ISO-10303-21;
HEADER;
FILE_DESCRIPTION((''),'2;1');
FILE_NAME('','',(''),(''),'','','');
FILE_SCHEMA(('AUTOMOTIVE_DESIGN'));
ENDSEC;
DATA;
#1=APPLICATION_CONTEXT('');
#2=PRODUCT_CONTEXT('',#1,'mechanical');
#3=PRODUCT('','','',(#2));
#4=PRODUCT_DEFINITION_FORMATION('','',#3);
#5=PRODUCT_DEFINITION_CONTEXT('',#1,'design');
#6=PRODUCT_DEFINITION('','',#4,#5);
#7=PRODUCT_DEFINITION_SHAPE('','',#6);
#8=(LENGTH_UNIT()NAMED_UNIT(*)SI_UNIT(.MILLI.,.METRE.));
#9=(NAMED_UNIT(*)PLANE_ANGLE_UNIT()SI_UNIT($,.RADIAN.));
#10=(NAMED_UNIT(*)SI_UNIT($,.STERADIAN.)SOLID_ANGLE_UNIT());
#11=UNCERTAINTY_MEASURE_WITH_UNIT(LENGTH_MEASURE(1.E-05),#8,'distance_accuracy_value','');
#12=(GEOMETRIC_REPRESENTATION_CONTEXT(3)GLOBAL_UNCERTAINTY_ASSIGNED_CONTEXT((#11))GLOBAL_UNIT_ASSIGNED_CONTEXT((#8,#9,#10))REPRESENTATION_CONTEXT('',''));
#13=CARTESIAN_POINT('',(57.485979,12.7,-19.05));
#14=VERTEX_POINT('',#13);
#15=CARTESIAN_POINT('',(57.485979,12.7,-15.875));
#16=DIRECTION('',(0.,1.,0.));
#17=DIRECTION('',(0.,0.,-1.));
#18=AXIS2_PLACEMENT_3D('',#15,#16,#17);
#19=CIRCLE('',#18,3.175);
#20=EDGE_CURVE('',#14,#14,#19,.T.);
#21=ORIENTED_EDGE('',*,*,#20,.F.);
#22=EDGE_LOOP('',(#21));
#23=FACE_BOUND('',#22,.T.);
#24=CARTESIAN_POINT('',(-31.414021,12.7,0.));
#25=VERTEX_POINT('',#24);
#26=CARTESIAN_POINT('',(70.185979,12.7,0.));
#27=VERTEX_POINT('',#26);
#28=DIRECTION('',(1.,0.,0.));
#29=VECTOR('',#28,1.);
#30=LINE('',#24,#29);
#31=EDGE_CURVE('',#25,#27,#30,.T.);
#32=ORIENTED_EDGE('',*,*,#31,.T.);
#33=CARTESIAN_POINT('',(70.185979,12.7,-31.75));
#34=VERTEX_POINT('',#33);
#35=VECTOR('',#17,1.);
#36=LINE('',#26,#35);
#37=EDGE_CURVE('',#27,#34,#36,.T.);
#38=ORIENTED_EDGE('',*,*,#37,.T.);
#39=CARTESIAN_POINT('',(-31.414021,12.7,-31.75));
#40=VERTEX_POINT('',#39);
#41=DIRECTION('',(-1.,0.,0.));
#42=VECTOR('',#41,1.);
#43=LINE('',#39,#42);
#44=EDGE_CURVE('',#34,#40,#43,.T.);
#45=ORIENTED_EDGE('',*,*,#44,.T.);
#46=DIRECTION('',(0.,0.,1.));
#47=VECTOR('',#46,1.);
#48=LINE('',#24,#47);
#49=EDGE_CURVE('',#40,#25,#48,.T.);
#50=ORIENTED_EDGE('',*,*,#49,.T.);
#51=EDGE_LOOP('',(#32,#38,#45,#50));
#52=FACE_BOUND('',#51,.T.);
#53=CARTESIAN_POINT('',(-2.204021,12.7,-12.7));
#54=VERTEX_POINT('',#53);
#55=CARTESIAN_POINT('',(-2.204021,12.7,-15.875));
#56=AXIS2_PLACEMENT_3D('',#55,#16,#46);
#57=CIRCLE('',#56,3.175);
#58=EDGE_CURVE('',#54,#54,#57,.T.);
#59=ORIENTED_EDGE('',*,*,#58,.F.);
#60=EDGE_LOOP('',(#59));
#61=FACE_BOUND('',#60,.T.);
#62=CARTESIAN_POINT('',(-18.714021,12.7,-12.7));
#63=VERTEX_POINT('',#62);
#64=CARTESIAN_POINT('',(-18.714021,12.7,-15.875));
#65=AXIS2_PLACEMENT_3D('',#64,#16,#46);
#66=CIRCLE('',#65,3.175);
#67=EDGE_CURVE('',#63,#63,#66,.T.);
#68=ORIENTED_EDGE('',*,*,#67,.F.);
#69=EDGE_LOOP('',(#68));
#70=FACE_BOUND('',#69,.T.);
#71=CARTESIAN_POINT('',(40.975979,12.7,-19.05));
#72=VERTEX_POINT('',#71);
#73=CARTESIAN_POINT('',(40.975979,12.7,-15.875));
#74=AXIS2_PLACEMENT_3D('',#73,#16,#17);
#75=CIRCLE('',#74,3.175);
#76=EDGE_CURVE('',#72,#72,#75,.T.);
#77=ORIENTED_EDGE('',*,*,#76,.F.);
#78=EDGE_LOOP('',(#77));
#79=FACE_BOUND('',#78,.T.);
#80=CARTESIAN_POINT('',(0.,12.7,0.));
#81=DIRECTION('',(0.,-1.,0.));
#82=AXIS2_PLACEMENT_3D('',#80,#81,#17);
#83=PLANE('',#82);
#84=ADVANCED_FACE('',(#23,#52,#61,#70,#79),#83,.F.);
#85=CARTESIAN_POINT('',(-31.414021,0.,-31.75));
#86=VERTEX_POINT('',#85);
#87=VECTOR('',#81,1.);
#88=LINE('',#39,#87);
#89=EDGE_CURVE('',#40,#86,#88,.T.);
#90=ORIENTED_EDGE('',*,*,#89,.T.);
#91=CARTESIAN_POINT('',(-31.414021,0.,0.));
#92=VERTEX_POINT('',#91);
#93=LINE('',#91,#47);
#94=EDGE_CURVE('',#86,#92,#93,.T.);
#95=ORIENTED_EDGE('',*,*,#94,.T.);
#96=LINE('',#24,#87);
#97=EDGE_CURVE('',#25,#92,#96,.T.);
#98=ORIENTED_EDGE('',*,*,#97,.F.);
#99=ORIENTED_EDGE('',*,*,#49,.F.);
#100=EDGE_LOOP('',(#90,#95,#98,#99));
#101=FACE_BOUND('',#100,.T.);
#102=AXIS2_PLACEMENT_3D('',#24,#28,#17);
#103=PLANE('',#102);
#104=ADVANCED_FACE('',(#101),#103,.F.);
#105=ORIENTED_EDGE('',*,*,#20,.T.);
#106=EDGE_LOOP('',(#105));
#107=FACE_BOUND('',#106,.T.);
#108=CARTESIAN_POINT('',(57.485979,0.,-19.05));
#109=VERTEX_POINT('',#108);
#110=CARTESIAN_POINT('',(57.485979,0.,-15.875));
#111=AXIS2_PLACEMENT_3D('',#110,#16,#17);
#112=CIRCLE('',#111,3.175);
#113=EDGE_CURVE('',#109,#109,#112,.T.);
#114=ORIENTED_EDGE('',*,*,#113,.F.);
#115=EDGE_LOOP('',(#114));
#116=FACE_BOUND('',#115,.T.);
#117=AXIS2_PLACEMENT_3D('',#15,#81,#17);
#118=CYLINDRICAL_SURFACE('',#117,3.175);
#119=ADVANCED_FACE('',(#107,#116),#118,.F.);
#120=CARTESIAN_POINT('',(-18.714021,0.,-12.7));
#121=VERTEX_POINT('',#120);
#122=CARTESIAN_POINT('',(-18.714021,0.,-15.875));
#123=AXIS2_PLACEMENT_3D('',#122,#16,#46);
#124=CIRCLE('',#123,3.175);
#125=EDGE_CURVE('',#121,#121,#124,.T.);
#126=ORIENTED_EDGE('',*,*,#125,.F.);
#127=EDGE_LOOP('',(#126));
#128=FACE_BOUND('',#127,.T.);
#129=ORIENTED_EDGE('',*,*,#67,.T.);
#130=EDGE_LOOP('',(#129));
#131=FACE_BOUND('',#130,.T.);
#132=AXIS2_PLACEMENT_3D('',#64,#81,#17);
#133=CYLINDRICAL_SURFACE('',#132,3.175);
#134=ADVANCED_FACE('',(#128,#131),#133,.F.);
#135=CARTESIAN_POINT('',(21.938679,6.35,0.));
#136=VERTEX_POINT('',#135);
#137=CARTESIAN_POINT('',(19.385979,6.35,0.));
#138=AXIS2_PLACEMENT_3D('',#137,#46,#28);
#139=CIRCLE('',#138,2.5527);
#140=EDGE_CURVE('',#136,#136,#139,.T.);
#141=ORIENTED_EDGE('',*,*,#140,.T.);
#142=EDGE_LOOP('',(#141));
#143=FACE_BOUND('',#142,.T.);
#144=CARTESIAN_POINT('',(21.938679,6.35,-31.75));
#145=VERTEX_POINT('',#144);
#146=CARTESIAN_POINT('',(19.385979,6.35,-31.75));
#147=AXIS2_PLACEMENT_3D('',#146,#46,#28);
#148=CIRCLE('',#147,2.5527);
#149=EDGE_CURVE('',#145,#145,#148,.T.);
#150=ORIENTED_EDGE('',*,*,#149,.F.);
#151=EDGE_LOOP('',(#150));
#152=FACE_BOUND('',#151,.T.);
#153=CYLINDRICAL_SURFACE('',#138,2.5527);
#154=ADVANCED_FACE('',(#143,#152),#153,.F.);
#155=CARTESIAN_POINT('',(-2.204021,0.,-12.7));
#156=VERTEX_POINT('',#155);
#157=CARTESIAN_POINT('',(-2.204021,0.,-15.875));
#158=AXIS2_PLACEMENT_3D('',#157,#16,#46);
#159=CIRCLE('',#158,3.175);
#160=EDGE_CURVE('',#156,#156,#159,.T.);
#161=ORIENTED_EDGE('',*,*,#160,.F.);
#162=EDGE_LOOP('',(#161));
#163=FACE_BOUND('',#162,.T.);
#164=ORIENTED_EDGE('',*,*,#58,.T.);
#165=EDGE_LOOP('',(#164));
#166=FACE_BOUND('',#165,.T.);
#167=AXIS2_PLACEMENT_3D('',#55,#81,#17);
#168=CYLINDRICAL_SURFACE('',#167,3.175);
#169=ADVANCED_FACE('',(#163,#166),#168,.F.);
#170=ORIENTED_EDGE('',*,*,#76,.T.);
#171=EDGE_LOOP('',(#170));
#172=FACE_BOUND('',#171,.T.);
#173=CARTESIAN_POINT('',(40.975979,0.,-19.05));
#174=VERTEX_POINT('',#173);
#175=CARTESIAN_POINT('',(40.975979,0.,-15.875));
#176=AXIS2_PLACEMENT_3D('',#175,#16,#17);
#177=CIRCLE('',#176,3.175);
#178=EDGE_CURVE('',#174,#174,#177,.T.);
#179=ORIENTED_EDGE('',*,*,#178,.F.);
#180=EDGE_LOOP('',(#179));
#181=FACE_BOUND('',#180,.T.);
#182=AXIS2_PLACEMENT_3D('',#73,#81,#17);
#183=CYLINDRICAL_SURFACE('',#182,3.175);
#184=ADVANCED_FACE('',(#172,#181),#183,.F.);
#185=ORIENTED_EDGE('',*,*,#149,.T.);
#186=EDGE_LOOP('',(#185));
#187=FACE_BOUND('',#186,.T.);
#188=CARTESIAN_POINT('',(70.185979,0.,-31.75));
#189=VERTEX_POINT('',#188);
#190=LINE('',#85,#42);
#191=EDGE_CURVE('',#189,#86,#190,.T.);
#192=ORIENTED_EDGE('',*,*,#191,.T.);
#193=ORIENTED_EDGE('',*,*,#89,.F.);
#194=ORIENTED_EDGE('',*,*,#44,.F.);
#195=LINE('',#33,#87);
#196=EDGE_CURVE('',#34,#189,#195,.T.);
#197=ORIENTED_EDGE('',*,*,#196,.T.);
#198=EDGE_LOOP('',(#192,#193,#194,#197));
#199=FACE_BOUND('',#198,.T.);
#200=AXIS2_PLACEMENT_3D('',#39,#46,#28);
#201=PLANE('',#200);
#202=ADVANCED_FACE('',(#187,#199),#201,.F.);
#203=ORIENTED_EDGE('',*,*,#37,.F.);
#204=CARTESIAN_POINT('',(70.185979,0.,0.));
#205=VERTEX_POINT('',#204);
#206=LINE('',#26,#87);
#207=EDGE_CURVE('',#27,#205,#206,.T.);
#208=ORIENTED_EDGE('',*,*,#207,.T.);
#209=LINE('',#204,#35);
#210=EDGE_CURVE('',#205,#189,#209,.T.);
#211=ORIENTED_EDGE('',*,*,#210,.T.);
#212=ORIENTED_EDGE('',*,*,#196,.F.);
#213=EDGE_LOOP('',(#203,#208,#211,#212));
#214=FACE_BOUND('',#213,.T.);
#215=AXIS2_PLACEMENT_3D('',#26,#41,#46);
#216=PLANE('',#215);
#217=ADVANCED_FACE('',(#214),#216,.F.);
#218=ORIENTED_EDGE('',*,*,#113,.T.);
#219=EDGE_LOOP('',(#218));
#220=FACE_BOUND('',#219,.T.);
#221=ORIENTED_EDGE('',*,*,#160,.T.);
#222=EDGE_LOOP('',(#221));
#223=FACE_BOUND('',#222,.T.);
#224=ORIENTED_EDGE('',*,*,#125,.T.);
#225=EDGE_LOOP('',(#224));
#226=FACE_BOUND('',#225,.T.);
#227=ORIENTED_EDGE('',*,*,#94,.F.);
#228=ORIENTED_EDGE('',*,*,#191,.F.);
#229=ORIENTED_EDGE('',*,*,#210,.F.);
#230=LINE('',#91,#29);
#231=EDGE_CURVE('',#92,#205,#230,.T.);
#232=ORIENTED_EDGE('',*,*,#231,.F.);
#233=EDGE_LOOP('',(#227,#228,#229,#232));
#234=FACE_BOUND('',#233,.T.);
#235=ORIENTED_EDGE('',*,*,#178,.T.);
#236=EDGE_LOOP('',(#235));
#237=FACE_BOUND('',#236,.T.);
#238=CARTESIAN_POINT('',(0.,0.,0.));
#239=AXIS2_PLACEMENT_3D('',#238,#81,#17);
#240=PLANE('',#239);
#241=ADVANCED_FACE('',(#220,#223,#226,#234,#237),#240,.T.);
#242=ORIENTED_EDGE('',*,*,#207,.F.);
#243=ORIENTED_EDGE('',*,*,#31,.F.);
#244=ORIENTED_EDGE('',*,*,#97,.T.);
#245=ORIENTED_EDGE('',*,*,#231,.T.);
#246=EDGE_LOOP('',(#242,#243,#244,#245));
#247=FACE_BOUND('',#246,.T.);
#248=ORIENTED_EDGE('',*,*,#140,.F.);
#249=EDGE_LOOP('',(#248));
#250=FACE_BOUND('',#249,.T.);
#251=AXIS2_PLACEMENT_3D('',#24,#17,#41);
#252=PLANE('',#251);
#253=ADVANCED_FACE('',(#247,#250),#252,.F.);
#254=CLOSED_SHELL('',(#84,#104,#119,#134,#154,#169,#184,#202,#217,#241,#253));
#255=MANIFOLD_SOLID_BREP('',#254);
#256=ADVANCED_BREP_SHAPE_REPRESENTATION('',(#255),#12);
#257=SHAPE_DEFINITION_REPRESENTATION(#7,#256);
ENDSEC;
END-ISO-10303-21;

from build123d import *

# Parameters (mm, degrees)
SKETCH1_W               = 101.6
SKETCH1_H               = 31.75
SKETCH1_R               = 3.175
BOSS_EXTRUDE1_DEPTH     = 12.7
F_1_4_20_TAPPED_HOLE1_D = 5.1054


with BuildPart() as part:
    # Sketch1 → Boss-Extrude1 (new body)
    with BuildSketch(Plane(origin=(0, 0, 0), x_dir=(1, 0, 0), z_dir=(0, 1, 0))):
        with Locations((19.385978836, 15.875)):
            Rectangle(SKETCH1_W, SKETCH1_H)
        with Locations((-18.714021164, 15.875)):
            Circle(SKETCH1_R, mode=Mode.SUBTRACT)
        with Locations((57.485978836, 15.875)):
            Circle(SKETCH1_R, mode=Mode.SUBTRACT)
        with Locations((-2.204021164, 15.875)):
            Circle(SKETCH1_R, mode=Mode.SUBTRACT)
        with Locations((40.975978836, 15.875)):
            Circle(SKETCH1_R, mode=Mode.SUBTRACT)
    extrude(amount=BOSS_EXTRUDE1_DEPTH)

    # 1/4-20 Tapped Hole1 (through all)
    with Locations(Plane(origin=(19.385978836, 6.35, 0), x_dir=(1, 0, 0), z_dir=(0, 0, 1))):
        with Locations((0, 0)):
            Hole(F_1_4_20_TAPPED_HOLE1_D / 2)


solid = part.part
